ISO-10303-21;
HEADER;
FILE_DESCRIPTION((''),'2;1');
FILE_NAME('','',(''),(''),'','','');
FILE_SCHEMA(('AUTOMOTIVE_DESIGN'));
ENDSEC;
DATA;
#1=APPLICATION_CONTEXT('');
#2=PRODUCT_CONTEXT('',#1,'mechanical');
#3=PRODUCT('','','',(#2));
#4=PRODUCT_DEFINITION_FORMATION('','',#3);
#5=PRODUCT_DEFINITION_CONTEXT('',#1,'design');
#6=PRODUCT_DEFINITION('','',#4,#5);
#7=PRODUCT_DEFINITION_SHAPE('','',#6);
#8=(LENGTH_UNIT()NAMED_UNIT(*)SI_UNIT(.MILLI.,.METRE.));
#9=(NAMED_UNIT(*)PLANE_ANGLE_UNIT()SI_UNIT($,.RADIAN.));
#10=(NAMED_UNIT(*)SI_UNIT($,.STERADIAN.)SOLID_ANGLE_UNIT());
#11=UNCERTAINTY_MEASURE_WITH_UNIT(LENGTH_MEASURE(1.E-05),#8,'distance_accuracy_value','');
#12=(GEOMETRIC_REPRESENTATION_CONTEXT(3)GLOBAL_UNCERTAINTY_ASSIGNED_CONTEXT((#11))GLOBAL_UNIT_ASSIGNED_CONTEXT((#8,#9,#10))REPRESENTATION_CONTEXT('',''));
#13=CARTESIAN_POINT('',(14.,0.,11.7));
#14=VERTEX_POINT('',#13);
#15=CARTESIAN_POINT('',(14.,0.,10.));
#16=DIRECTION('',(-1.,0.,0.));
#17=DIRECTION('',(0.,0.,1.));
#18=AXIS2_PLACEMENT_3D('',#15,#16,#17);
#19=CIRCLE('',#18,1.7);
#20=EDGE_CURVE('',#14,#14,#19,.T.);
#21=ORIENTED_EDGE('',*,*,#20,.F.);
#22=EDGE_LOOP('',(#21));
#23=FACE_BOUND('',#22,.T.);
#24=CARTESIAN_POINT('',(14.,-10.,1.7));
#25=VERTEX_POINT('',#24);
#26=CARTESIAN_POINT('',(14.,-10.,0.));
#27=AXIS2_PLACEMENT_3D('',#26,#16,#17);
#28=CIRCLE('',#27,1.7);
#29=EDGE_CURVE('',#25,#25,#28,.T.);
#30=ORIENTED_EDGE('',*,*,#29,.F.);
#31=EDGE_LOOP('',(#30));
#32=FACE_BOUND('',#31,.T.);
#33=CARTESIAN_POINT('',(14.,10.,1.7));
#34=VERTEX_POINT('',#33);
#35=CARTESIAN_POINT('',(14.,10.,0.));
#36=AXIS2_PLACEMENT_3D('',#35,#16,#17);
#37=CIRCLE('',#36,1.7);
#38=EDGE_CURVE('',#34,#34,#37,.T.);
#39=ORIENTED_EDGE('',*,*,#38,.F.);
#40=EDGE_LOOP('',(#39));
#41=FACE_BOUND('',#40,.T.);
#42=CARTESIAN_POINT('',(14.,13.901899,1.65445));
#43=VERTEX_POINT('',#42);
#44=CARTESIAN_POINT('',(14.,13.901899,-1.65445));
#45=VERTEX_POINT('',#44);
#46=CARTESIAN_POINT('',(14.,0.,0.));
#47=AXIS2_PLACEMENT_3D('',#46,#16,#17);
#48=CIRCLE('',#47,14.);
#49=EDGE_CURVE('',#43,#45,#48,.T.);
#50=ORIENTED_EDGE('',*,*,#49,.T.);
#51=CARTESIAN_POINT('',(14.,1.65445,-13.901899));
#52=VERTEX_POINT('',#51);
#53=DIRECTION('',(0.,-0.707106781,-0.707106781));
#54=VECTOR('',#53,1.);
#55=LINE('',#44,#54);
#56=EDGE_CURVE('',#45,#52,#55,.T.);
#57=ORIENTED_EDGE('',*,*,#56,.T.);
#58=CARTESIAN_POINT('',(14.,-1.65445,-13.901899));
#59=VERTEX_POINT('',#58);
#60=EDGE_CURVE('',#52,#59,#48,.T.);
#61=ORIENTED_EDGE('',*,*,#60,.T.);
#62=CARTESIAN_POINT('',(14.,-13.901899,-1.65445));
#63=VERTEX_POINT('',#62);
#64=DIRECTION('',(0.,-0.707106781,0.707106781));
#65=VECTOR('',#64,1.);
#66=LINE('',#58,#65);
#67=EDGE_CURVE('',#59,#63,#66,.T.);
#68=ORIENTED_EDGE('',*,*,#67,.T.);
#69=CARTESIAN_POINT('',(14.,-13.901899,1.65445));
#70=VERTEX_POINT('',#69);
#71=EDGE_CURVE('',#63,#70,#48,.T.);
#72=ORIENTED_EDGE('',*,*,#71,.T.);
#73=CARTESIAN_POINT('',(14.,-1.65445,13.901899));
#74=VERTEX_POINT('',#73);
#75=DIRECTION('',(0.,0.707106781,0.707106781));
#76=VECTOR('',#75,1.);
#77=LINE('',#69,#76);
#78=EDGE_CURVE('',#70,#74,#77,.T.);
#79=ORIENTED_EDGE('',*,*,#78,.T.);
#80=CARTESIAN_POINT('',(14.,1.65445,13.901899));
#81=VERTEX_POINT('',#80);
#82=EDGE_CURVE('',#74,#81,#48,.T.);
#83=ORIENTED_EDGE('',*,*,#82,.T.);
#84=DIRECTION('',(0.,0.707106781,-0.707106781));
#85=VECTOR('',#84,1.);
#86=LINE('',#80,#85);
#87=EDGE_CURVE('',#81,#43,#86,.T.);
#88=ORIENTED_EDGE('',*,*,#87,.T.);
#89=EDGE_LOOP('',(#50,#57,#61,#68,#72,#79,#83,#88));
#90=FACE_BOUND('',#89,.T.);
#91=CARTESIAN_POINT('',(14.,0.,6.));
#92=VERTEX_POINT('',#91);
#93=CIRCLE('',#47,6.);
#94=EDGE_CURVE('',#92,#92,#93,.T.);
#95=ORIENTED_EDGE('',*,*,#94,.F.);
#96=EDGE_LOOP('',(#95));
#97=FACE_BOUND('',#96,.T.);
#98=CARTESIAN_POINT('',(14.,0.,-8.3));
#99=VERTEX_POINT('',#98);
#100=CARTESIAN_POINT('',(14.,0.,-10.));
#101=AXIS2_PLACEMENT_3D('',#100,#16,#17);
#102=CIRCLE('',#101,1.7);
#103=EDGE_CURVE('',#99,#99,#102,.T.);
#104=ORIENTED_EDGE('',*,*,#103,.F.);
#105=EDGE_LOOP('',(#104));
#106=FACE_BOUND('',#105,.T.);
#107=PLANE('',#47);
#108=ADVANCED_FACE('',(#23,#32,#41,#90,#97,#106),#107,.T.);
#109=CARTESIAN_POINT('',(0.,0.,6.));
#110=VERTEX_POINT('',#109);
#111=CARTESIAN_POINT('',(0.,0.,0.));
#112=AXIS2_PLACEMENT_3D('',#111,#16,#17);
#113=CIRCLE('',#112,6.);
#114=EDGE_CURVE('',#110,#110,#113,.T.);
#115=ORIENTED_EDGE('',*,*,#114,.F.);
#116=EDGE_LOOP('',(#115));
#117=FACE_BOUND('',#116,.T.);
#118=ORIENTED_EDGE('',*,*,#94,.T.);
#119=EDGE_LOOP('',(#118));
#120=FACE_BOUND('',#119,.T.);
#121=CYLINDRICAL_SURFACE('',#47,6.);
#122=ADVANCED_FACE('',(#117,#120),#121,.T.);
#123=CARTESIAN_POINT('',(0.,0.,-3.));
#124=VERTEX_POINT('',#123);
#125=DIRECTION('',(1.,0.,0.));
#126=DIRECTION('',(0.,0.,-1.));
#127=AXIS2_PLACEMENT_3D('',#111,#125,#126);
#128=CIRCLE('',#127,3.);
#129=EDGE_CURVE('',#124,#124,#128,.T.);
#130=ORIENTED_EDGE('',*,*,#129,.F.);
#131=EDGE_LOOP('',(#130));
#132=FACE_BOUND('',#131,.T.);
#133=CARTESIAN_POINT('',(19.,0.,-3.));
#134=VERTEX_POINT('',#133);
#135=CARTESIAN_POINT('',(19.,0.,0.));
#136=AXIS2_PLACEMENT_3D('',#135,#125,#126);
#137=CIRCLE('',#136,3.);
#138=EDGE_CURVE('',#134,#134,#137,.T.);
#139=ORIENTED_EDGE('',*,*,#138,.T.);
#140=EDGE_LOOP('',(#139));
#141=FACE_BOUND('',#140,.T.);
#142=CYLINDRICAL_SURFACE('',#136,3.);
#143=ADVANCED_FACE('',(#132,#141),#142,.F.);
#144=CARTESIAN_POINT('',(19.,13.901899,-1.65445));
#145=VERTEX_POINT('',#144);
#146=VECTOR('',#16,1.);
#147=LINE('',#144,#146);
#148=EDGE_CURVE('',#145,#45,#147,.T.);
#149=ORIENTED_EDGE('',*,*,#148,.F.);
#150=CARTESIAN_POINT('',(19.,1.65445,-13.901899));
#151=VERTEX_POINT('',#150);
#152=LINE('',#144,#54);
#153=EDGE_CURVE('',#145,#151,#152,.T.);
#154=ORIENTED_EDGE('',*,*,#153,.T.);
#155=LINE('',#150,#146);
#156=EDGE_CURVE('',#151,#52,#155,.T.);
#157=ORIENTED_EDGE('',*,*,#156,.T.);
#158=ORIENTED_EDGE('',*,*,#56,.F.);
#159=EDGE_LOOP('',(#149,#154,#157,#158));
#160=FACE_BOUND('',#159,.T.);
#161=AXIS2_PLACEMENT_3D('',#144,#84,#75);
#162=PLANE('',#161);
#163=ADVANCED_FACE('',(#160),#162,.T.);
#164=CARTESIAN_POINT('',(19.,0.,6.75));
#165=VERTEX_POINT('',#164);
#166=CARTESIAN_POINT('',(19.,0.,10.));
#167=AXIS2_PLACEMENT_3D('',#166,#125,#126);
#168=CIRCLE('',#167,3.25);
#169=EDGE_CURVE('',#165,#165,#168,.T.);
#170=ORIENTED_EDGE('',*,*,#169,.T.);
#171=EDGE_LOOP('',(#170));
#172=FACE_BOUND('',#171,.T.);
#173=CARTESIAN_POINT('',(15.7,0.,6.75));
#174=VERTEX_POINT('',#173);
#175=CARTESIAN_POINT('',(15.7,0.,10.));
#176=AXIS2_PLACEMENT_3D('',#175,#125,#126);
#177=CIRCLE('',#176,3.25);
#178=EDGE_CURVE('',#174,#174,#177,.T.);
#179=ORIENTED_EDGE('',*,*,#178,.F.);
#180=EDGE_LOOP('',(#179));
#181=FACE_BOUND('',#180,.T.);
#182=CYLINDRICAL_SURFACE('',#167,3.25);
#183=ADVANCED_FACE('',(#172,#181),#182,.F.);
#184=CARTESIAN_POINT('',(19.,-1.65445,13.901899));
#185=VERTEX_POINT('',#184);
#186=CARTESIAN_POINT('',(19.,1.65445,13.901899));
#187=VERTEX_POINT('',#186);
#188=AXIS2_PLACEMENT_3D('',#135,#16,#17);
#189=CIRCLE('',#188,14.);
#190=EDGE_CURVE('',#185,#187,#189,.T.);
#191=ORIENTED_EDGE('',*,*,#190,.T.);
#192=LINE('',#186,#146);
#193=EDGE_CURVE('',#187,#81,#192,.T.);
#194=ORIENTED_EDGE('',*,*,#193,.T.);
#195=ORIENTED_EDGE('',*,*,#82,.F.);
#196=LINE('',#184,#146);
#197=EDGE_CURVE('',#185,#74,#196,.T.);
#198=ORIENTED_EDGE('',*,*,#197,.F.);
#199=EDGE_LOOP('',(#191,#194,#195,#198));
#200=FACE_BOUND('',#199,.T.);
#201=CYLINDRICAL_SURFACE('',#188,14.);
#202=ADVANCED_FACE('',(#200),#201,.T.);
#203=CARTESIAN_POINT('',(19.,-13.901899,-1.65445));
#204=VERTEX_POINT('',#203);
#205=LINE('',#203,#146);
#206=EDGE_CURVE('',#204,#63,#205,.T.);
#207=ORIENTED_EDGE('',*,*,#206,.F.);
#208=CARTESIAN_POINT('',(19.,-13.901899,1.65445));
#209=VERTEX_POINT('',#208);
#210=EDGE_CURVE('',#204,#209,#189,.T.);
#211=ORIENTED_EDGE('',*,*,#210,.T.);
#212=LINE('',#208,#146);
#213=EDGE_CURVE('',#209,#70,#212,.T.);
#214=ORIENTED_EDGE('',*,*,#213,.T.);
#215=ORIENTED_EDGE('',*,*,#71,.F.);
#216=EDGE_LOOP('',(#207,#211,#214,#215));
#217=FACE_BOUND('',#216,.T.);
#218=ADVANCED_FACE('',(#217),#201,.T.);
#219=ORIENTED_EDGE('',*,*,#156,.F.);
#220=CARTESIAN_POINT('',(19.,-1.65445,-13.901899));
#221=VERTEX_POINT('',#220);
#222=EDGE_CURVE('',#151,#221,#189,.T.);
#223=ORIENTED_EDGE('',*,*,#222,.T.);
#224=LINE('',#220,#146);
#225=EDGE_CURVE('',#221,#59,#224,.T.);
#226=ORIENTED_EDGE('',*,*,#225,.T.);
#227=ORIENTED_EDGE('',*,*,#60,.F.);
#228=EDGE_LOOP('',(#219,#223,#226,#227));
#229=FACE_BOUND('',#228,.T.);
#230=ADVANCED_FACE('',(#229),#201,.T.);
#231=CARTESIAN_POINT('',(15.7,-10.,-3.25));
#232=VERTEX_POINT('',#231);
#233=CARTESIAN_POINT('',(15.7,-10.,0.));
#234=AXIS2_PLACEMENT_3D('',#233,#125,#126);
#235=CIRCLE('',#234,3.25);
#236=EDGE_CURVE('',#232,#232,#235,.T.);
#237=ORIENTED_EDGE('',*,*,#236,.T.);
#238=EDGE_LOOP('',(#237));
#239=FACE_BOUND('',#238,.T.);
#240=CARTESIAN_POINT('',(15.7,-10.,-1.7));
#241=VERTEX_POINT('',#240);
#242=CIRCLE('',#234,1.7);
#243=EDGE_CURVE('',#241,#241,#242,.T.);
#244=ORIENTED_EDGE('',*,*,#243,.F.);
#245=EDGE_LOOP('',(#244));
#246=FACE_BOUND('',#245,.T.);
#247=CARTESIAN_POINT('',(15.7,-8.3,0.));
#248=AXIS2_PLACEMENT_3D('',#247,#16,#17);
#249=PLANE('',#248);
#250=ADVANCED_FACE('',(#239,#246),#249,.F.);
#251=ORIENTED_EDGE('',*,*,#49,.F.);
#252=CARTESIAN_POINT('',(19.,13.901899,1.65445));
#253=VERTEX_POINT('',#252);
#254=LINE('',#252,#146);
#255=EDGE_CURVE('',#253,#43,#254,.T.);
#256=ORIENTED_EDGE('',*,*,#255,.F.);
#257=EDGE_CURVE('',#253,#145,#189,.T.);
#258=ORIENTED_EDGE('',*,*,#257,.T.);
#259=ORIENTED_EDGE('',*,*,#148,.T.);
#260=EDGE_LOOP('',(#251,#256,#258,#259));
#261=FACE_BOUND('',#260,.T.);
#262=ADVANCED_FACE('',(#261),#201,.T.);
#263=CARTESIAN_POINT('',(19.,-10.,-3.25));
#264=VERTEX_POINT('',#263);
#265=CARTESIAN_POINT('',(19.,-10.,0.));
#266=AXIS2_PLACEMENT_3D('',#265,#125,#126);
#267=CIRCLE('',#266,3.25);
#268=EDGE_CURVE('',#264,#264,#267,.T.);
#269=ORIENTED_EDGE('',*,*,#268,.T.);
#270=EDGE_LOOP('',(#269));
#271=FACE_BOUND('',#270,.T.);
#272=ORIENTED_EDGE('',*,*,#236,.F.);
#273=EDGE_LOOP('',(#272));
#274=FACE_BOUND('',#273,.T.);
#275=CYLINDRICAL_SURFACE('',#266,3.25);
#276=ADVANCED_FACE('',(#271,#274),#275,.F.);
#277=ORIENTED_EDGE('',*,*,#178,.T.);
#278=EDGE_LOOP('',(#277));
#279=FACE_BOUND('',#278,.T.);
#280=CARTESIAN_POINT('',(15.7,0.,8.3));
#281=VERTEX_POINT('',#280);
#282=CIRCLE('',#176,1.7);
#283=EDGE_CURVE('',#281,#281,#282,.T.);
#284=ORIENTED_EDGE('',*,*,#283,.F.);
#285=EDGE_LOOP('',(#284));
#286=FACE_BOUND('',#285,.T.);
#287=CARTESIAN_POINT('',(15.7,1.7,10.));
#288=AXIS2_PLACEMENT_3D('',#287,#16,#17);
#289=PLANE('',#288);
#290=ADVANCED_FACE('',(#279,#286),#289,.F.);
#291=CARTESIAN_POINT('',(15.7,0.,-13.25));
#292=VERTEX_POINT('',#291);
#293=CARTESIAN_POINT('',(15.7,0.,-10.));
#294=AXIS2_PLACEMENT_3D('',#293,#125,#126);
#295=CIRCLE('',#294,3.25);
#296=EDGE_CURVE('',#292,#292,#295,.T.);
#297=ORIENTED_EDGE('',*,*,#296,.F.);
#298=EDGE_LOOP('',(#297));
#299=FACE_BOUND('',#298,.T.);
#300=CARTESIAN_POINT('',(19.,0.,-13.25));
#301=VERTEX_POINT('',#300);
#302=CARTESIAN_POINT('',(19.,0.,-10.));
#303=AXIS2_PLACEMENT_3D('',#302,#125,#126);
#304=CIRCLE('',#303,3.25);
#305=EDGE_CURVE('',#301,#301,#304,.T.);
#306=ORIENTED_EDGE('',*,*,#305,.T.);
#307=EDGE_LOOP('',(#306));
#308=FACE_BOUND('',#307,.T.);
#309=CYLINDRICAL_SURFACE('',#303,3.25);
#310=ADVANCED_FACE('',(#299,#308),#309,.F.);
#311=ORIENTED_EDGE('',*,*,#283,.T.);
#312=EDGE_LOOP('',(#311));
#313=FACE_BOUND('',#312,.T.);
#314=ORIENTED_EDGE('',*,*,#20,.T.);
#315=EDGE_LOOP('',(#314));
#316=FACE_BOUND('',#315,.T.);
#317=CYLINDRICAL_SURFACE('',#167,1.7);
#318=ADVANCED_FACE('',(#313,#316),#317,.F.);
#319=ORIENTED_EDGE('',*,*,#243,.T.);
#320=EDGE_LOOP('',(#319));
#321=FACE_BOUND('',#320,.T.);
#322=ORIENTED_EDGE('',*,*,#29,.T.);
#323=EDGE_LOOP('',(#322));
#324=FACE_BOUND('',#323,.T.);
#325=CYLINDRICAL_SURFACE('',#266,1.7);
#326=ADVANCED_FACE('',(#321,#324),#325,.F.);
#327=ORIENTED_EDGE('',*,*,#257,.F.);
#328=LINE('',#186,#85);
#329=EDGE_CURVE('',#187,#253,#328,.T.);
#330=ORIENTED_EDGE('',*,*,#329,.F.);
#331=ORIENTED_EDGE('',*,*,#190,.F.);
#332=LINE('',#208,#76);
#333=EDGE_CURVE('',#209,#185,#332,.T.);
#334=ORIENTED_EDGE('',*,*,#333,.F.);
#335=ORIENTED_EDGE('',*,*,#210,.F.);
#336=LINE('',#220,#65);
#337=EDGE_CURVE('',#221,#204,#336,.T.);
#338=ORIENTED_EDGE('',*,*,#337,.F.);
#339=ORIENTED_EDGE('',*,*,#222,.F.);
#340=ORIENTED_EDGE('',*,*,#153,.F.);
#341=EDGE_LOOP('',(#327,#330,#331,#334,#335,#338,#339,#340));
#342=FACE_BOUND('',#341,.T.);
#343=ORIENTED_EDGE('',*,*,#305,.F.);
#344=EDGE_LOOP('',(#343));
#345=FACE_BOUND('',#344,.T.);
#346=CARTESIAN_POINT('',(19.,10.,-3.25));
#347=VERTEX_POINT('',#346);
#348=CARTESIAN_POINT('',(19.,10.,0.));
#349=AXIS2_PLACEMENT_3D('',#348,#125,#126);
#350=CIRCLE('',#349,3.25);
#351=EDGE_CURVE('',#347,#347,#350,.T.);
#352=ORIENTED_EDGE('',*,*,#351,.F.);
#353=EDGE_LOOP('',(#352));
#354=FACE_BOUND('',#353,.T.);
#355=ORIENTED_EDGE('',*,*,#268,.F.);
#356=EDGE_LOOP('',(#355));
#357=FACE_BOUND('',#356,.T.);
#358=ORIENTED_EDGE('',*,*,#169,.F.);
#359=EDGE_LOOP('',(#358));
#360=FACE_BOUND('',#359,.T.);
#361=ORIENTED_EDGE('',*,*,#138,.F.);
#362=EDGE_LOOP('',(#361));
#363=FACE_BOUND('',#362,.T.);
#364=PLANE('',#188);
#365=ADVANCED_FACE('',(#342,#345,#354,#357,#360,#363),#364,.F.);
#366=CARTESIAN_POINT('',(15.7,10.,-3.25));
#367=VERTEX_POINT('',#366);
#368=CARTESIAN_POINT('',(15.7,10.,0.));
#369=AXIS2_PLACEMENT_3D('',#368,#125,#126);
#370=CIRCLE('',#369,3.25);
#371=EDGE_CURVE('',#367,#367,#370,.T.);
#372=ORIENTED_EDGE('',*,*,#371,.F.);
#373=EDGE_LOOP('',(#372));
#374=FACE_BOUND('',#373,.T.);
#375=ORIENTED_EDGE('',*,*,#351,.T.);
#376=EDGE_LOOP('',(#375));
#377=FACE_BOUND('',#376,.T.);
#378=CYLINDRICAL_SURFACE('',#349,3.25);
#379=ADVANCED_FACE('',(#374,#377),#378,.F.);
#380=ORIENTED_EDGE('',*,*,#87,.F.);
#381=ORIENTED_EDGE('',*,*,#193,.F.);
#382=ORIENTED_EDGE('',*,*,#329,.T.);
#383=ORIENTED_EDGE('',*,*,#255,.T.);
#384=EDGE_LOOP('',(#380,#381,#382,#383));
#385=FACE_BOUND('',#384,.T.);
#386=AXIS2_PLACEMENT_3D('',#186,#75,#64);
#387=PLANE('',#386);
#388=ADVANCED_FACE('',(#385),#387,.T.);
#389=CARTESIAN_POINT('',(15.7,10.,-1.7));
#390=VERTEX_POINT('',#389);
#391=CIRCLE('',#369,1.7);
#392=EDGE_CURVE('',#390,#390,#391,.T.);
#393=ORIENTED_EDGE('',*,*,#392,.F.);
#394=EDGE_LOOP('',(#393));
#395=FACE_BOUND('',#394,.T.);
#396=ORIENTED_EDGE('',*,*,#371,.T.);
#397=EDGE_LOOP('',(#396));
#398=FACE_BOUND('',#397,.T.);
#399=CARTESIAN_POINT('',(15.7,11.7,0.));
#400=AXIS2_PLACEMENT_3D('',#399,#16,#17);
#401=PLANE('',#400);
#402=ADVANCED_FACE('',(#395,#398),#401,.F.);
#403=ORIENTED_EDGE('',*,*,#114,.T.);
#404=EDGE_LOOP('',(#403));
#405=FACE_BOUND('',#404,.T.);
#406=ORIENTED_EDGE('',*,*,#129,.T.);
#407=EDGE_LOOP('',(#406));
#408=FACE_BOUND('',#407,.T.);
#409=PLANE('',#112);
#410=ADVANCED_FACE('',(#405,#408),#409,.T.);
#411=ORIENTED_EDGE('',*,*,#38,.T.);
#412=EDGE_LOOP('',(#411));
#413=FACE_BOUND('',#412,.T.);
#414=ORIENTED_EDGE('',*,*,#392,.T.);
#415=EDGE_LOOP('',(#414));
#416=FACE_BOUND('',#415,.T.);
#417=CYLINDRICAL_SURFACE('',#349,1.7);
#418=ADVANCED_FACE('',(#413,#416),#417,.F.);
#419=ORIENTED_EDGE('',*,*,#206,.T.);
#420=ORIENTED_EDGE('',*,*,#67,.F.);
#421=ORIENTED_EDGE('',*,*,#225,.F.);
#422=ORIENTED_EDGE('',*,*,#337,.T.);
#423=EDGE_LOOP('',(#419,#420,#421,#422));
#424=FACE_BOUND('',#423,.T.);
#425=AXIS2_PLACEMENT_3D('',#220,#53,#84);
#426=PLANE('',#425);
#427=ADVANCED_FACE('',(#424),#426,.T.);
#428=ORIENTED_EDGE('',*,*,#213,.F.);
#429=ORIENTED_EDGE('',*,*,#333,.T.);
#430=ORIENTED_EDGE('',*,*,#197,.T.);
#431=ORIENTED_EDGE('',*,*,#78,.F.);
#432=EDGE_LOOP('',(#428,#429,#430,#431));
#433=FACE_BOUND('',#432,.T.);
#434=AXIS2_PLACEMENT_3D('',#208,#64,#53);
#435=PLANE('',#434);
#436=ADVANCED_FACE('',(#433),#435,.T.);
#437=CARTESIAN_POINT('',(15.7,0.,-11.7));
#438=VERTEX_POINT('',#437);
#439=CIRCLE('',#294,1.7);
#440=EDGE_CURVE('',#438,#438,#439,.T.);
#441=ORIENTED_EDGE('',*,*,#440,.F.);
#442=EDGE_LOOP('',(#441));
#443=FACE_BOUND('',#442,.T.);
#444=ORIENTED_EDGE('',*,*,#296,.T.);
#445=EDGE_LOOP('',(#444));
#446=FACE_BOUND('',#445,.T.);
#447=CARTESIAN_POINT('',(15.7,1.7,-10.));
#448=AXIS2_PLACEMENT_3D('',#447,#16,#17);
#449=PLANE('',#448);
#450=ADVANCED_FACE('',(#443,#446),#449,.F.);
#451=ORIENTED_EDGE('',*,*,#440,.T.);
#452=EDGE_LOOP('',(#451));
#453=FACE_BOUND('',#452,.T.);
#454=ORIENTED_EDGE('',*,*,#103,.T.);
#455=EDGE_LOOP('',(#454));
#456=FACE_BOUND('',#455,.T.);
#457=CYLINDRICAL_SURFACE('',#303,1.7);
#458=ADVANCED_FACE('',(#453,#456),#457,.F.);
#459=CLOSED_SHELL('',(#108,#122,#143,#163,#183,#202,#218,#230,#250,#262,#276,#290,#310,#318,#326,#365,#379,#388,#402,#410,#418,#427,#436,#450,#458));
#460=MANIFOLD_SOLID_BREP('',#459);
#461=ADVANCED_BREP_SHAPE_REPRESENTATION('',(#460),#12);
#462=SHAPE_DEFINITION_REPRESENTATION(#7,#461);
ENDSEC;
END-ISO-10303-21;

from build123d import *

# Parameters (mm, degrees)
BOSS_EXTRUDE1_DEPTH                              = 5
SKETCH2_W                                        = 14
SKETCH2_H                                        = 6
F_6_0_6_DIAMETER_HOLE1_D                         = 6
F_6_0_6_DIAMETER_HOLE1_DEPTH                     = 19
CBORE_FOR_M3_HEX_HEAD_MACHINE_SCREW1_D           = 3.4
CBORE_FOR_M3_HEX_HEAD_MACHINE_SCREW1_DEPTH       = 19
CBORE_FOR_M3_HEX_HEAD_MACHINE_SCREW1_CBORE_D     = 6.5
CBORE_FOR_M3_HEX_HEAD_MACHINE_SCREW1_CBORE_DEPTH = 3.3


with BuildPart() as part:
    # Sketch1 → Boss-Extrude1 (new body)
    with BuildSketch(Plane(origin=(14, 0, 0), x_dir=(0, -1, 0), z_dir=(-1, 0, 0))):
        with BuildLine():
            Line((-1.654450236, 13.90189895), (-13.90189895, 1.654450236))
            ThreePointArc((-13.90189895, 1.654450236), (-14, 0), (-13.90189895, -1.654450236))
            Line((-13.90189895, -1.654450236), (-1.654450236, -13.90189895))
            ThreePointArc((-1.654450236, -13.90189895), (0, -14), (1.654450236, -13.90189895))
            Line((1.654450236, -13.90189895), (13.90189895, -1.654450236))
            ThreePointArc((13.90189895, -1.654450236), (14, 0), (13.90189895, 1.654450236))
            Line((13.90189895, 1.654450236), (1.654450236, 13.90189895))
            ThreePointArc((1.654450236, 13.90189895), (0, 14), (-1.654450236, 13.90189895))
        make_face()
    extrude(amount=-BOSS_EXTRUDE1_DEPTH)

    # Sketch2 → Revolve1 (revolve)
    with BuildSketch(Plane(origin=(0, 0, 0), x_dir=(-1, 0, 0), z_dir=(0, 0, -1))):
        with Locations((-7, 3)):
            Rectangle(SKETCH2_W, SKETCH2_H)
    revolve(axis=Axis((14, 0, 0), (-1, 0, 0)))

    # Ø6.0 (6) Diameter Hole1
    with Locations(Plane(origin=(19, 0, 0), x_dir=(0, 0, -1), z_dir=(1, 0, 0))):
        with Locations((0, 0)):
            Hole(F_6_0_6_DIAMETER_HOLE1_D / 2, depth=F_6_0_6_DIAMETER_HOLE1_DEPTH)

    # CBORE for M3 Hex Head Machine Screw1
    with Locations(Plane(origin=(19, 0, 0), x_dir=(0, 0, -1), z_dir=(1, 0, 0))):
        with Locations((0, -10), (10, 0), (-10, 0), (0, 10)):
            CounterBoreHole(CBORE_FOR_M3_HEX_HEAD_MACHINE_SCREW1_D / 2, CBORE_FOR_M3_HEX_HEAD_MACHINE_SCREW1_CBORE_D / 2, CBORE_FOR_M3_HEX_HEAD_MACHINE_SCREW1_CBORE_DEPTH, depth=CBORE_FOR_M3_HEX_HEAD_MACHINE_SCREW1_DEPTH)


solid = part.part
